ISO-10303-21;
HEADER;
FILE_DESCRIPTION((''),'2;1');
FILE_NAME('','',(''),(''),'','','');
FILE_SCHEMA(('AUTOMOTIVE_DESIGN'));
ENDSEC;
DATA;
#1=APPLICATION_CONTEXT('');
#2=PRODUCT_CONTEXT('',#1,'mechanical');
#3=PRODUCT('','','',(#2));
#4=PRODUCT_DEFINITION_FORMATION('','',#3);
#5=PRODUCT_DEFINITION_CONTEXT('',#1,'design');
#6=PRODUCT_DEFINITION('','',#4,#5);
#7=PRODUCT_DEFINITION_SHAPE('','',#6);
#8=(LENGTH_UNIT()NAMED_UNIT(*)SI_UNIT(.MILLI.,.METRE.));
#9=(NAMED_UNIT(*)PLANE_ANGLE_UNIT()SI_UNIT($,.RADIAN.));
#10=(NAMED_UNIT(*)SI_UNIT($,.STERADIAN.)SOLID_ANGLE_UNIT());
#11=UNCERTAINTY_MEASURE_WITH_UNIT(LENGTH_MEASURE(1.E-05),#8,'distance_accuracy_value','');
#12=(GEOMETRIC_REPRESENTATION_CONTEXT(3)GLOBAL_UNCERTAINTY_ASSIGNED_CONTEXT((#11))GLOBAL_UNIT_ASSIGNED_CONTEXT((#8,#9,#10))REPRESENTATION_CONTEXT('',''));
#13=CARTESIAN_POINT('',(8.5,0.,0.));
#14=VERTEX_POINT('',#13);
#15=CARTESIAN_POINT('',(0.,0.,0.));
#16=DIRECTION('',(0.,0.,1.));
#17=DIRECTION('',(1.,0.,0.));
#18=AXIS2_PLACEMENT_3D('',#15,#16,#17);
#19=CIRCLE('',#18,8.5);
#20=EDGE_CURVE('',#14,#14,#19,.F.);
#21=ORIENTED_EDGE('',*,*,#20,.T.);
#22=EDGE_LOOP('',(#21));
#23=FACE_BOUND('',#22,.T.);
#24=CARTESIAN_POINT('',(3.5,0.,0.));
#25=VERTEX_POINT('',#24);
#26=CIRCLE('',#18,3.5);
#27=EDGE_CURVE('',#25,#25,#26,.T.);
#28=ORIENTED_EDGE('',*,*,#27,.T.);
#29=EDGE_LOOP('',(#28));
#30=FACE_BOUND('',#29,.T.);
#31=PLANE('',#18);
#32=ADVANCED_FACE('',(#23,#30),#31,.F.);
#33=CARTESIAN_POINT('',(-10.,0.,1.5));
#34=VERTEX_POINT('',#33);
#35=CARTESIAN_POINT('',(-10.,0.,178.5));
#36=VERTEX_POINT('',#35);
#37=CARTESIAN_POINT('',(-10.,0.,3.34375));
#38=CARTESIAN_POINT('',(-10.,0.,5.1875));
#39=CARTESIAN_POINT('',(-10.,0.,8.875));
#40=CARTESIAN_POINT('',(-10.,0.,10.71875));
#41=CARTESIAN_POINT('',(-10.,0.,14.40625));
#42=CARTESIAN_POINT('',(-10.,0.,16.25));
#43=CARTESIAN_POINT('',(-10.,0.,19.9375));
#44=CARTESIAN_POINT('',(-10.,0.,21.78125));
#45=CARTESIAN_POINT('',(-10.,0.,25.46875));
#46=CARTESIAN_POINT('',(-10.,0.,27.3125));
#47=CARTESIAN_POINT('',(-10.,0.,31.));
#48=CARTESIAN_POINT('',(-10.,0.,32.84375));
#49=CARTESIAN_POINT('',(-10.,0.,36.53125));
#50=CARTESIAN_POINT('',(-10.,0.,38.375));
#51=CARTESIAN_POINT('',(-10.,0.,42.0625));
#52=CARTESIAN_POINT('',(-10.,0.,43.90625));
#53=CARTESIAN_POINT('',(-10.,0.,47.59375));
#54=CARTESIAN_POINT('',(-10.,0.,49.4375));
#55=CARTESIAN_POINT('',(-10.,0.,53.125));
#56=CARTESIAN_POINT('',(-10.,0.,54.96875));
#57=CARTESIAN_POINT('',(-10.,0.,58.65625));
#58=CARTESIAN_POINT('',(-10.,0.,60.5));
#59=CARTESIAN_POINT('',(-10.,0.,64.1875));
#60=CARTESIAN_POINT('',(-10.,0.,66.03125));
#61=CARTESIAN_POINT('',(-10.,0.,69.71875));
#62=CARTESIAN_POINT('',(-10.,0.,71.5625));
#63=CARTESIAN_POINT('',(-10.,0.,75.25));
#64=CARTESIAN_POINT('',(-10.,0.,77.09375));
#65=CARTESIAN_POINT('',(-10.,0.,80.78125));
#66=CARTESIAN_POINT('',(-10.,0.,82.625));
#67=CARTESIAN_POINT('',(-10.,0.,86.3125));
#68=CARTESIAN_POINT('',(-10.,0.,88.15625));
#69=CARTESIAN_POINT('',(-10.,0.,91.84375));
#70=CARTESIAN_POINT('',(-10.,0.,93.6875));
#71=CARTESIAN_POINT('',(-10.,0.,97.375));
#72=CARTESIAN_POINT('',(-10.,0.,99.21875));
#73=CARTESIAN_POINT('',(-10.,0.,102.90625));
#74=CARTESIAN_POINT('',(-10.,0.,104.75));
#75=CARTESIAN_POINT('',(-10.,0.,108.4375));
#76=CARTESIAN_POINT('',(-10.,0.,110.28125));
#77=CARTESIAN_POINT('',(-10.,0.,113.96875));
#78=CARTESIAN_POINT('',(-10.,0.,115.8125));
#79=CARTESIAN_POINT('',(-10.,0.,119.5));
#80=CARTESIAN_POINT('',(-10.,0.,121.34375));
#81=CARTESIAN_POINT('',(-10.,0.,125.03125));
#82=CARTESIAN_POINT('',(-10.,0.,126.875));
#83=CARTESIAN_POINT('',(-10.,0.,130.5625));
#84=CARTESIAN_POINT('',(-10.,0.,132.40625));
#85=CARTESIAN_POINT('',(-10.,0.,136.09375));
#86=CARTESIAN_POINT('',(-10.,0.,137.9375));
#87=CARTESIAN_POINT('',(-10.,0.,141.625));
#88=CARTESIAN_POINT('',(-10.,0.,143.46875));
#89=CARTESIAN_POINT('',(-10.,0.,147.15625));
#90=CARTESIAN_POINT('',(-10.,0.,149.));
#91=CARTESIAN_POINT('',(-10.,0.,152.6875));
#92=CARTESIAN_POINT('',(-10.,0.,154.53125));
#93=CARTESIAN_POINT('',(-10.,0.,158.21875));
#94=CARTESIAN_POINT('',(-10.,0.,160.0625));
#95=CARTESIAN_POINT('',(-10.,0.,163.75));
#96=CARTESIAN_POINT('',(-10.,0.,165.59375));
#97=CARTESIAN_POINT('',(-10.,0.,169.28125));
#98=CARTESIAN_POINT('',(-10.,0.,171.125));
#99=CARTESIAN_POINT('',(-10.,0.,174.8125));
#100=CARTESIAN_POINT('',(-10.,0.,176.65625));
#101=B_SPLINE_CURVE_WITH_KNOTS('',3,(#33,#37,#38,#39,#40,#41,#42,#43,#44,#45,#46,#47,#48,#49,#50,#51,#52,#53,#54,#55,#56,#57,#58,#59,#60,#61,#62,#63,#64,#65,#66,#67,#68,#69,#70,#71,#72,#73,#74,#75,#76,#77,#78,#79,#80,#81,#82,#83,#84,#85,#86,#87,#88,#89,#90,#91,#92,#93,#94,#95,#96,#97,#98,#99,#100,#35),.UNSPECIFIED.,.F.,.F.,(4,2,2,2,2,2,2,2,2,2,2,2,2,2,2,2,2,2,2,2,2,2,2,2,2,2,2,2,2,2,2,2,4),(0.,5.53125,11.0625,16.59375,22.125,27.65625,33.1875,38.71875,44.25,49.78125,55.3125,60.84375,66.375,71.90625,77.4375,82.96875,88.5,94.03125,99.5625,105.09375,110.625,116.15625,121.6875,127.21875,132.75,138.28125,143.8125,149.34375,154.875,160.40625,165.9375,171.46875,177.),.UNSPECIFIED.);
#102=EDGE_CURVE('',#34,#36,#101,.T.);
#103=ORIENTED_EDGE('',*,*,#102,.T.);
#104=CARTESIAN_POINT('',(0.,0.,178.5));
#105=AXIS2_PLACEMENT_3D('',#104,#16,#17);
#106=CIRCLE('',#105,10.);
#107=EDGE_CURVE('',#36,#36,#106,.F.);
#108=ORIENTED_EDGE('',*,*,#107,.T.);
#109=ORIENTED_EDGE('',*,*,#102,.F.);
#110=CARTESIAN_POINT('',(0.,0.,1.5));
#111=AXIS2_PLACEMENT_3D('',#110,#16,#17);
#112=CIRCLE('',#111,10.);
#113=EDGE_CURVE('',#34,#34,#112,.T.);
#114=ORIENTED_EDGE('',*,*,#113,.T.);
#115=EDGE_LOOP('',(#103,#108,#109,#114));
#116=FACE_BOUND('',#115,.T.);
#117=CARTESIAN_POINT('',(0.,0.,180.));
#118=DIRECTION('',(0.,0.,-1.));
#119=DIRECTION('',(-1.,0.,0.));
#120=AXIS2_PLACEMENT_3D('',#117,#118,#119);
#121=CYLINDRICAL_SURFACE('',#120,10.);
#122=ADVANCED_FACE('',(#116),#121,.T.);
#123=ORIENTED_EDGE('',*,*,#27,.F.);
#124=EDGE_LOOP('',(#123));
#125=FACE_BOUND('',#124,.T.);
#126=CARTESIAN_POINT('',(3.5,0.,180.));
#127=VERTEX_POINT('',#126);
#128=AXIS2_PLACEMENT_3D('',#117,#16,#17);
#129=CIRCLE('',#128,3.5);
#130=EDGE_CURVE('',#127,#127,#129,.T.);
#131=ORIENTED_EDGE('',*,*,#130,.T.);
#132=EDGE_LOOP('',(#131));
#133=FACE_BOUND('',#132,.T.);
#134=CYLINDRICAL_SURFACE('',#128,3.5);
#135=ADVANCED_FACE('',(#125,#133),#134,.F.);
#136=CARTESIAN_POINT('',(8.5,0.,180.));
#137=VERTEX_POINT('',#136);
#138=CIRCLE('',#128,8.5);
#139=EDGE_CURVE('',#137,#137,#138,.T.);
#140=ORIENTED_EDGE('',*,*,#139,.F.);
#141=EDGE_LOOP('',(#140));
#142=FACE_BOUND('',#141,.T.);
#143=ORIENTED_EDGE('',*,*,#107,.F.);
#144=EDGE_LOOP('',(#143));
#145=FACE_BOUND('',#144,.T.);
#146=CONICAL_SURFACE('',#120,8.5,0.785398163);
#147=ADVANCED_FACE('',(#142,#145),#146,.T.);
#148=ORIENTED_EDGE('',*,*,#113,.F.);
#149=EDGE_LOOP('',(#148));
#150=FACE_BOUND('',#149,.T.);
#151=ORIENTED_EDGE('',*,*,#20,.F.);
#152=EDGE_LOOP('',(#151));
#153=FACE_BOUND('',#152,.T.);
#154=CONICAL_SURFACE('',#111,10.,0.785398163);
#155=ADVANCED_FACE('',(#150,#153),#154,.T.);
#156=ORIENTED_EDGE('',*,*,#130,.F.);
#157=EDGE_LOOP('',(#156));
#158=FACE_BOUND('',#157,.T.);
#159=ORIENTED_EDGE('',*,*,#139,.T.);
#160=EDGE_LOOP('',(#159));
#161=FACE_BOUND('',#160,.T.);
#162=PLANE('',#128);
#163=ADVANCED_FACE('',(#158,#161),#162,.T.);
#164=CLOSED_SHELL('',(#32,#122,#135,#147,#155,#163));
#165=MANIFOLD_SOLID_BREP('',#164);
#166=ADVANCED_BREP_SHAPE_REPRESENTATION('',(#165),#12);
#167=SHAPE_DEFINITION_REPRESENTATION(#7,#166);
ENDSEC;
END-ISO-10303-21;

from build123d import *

# Parameters (mm, degrees)
SKETCH_1_R      = 10
EXTRUDE_1_DEPTH = 180
CHAMFER_1_SIZE  = 1.5
M8X1_0_1_D      = 7


with BuildPart() as part:
    # 草图1 → 凸台-拉伸1 (new body)
    with BuildSketch(Plane.XY):
        with Locations(Location((0, 0, 0), (0, 0, 180))):
            Circle(SKETCH_1_R)
    extrude(amount=EXTRUDE_1_DEPTH)

    # 倒角1
    chamfer_1_edges = [part.edges().sort_by_distance(p)[0] for p in [
        (10, 0, 0),
        (10, 0, 180),
    ]]
    chamfer(chamfer_1_edges, length=CHAMFER_1_SIZE)

    # M8x1.0 螺纹孔1 (through all)
    with Locations(Plane.XY.offset(180)):
        with Locations((0, 0)):
            Hole(M8X1_0_1_D / 2)


solid = part.part
